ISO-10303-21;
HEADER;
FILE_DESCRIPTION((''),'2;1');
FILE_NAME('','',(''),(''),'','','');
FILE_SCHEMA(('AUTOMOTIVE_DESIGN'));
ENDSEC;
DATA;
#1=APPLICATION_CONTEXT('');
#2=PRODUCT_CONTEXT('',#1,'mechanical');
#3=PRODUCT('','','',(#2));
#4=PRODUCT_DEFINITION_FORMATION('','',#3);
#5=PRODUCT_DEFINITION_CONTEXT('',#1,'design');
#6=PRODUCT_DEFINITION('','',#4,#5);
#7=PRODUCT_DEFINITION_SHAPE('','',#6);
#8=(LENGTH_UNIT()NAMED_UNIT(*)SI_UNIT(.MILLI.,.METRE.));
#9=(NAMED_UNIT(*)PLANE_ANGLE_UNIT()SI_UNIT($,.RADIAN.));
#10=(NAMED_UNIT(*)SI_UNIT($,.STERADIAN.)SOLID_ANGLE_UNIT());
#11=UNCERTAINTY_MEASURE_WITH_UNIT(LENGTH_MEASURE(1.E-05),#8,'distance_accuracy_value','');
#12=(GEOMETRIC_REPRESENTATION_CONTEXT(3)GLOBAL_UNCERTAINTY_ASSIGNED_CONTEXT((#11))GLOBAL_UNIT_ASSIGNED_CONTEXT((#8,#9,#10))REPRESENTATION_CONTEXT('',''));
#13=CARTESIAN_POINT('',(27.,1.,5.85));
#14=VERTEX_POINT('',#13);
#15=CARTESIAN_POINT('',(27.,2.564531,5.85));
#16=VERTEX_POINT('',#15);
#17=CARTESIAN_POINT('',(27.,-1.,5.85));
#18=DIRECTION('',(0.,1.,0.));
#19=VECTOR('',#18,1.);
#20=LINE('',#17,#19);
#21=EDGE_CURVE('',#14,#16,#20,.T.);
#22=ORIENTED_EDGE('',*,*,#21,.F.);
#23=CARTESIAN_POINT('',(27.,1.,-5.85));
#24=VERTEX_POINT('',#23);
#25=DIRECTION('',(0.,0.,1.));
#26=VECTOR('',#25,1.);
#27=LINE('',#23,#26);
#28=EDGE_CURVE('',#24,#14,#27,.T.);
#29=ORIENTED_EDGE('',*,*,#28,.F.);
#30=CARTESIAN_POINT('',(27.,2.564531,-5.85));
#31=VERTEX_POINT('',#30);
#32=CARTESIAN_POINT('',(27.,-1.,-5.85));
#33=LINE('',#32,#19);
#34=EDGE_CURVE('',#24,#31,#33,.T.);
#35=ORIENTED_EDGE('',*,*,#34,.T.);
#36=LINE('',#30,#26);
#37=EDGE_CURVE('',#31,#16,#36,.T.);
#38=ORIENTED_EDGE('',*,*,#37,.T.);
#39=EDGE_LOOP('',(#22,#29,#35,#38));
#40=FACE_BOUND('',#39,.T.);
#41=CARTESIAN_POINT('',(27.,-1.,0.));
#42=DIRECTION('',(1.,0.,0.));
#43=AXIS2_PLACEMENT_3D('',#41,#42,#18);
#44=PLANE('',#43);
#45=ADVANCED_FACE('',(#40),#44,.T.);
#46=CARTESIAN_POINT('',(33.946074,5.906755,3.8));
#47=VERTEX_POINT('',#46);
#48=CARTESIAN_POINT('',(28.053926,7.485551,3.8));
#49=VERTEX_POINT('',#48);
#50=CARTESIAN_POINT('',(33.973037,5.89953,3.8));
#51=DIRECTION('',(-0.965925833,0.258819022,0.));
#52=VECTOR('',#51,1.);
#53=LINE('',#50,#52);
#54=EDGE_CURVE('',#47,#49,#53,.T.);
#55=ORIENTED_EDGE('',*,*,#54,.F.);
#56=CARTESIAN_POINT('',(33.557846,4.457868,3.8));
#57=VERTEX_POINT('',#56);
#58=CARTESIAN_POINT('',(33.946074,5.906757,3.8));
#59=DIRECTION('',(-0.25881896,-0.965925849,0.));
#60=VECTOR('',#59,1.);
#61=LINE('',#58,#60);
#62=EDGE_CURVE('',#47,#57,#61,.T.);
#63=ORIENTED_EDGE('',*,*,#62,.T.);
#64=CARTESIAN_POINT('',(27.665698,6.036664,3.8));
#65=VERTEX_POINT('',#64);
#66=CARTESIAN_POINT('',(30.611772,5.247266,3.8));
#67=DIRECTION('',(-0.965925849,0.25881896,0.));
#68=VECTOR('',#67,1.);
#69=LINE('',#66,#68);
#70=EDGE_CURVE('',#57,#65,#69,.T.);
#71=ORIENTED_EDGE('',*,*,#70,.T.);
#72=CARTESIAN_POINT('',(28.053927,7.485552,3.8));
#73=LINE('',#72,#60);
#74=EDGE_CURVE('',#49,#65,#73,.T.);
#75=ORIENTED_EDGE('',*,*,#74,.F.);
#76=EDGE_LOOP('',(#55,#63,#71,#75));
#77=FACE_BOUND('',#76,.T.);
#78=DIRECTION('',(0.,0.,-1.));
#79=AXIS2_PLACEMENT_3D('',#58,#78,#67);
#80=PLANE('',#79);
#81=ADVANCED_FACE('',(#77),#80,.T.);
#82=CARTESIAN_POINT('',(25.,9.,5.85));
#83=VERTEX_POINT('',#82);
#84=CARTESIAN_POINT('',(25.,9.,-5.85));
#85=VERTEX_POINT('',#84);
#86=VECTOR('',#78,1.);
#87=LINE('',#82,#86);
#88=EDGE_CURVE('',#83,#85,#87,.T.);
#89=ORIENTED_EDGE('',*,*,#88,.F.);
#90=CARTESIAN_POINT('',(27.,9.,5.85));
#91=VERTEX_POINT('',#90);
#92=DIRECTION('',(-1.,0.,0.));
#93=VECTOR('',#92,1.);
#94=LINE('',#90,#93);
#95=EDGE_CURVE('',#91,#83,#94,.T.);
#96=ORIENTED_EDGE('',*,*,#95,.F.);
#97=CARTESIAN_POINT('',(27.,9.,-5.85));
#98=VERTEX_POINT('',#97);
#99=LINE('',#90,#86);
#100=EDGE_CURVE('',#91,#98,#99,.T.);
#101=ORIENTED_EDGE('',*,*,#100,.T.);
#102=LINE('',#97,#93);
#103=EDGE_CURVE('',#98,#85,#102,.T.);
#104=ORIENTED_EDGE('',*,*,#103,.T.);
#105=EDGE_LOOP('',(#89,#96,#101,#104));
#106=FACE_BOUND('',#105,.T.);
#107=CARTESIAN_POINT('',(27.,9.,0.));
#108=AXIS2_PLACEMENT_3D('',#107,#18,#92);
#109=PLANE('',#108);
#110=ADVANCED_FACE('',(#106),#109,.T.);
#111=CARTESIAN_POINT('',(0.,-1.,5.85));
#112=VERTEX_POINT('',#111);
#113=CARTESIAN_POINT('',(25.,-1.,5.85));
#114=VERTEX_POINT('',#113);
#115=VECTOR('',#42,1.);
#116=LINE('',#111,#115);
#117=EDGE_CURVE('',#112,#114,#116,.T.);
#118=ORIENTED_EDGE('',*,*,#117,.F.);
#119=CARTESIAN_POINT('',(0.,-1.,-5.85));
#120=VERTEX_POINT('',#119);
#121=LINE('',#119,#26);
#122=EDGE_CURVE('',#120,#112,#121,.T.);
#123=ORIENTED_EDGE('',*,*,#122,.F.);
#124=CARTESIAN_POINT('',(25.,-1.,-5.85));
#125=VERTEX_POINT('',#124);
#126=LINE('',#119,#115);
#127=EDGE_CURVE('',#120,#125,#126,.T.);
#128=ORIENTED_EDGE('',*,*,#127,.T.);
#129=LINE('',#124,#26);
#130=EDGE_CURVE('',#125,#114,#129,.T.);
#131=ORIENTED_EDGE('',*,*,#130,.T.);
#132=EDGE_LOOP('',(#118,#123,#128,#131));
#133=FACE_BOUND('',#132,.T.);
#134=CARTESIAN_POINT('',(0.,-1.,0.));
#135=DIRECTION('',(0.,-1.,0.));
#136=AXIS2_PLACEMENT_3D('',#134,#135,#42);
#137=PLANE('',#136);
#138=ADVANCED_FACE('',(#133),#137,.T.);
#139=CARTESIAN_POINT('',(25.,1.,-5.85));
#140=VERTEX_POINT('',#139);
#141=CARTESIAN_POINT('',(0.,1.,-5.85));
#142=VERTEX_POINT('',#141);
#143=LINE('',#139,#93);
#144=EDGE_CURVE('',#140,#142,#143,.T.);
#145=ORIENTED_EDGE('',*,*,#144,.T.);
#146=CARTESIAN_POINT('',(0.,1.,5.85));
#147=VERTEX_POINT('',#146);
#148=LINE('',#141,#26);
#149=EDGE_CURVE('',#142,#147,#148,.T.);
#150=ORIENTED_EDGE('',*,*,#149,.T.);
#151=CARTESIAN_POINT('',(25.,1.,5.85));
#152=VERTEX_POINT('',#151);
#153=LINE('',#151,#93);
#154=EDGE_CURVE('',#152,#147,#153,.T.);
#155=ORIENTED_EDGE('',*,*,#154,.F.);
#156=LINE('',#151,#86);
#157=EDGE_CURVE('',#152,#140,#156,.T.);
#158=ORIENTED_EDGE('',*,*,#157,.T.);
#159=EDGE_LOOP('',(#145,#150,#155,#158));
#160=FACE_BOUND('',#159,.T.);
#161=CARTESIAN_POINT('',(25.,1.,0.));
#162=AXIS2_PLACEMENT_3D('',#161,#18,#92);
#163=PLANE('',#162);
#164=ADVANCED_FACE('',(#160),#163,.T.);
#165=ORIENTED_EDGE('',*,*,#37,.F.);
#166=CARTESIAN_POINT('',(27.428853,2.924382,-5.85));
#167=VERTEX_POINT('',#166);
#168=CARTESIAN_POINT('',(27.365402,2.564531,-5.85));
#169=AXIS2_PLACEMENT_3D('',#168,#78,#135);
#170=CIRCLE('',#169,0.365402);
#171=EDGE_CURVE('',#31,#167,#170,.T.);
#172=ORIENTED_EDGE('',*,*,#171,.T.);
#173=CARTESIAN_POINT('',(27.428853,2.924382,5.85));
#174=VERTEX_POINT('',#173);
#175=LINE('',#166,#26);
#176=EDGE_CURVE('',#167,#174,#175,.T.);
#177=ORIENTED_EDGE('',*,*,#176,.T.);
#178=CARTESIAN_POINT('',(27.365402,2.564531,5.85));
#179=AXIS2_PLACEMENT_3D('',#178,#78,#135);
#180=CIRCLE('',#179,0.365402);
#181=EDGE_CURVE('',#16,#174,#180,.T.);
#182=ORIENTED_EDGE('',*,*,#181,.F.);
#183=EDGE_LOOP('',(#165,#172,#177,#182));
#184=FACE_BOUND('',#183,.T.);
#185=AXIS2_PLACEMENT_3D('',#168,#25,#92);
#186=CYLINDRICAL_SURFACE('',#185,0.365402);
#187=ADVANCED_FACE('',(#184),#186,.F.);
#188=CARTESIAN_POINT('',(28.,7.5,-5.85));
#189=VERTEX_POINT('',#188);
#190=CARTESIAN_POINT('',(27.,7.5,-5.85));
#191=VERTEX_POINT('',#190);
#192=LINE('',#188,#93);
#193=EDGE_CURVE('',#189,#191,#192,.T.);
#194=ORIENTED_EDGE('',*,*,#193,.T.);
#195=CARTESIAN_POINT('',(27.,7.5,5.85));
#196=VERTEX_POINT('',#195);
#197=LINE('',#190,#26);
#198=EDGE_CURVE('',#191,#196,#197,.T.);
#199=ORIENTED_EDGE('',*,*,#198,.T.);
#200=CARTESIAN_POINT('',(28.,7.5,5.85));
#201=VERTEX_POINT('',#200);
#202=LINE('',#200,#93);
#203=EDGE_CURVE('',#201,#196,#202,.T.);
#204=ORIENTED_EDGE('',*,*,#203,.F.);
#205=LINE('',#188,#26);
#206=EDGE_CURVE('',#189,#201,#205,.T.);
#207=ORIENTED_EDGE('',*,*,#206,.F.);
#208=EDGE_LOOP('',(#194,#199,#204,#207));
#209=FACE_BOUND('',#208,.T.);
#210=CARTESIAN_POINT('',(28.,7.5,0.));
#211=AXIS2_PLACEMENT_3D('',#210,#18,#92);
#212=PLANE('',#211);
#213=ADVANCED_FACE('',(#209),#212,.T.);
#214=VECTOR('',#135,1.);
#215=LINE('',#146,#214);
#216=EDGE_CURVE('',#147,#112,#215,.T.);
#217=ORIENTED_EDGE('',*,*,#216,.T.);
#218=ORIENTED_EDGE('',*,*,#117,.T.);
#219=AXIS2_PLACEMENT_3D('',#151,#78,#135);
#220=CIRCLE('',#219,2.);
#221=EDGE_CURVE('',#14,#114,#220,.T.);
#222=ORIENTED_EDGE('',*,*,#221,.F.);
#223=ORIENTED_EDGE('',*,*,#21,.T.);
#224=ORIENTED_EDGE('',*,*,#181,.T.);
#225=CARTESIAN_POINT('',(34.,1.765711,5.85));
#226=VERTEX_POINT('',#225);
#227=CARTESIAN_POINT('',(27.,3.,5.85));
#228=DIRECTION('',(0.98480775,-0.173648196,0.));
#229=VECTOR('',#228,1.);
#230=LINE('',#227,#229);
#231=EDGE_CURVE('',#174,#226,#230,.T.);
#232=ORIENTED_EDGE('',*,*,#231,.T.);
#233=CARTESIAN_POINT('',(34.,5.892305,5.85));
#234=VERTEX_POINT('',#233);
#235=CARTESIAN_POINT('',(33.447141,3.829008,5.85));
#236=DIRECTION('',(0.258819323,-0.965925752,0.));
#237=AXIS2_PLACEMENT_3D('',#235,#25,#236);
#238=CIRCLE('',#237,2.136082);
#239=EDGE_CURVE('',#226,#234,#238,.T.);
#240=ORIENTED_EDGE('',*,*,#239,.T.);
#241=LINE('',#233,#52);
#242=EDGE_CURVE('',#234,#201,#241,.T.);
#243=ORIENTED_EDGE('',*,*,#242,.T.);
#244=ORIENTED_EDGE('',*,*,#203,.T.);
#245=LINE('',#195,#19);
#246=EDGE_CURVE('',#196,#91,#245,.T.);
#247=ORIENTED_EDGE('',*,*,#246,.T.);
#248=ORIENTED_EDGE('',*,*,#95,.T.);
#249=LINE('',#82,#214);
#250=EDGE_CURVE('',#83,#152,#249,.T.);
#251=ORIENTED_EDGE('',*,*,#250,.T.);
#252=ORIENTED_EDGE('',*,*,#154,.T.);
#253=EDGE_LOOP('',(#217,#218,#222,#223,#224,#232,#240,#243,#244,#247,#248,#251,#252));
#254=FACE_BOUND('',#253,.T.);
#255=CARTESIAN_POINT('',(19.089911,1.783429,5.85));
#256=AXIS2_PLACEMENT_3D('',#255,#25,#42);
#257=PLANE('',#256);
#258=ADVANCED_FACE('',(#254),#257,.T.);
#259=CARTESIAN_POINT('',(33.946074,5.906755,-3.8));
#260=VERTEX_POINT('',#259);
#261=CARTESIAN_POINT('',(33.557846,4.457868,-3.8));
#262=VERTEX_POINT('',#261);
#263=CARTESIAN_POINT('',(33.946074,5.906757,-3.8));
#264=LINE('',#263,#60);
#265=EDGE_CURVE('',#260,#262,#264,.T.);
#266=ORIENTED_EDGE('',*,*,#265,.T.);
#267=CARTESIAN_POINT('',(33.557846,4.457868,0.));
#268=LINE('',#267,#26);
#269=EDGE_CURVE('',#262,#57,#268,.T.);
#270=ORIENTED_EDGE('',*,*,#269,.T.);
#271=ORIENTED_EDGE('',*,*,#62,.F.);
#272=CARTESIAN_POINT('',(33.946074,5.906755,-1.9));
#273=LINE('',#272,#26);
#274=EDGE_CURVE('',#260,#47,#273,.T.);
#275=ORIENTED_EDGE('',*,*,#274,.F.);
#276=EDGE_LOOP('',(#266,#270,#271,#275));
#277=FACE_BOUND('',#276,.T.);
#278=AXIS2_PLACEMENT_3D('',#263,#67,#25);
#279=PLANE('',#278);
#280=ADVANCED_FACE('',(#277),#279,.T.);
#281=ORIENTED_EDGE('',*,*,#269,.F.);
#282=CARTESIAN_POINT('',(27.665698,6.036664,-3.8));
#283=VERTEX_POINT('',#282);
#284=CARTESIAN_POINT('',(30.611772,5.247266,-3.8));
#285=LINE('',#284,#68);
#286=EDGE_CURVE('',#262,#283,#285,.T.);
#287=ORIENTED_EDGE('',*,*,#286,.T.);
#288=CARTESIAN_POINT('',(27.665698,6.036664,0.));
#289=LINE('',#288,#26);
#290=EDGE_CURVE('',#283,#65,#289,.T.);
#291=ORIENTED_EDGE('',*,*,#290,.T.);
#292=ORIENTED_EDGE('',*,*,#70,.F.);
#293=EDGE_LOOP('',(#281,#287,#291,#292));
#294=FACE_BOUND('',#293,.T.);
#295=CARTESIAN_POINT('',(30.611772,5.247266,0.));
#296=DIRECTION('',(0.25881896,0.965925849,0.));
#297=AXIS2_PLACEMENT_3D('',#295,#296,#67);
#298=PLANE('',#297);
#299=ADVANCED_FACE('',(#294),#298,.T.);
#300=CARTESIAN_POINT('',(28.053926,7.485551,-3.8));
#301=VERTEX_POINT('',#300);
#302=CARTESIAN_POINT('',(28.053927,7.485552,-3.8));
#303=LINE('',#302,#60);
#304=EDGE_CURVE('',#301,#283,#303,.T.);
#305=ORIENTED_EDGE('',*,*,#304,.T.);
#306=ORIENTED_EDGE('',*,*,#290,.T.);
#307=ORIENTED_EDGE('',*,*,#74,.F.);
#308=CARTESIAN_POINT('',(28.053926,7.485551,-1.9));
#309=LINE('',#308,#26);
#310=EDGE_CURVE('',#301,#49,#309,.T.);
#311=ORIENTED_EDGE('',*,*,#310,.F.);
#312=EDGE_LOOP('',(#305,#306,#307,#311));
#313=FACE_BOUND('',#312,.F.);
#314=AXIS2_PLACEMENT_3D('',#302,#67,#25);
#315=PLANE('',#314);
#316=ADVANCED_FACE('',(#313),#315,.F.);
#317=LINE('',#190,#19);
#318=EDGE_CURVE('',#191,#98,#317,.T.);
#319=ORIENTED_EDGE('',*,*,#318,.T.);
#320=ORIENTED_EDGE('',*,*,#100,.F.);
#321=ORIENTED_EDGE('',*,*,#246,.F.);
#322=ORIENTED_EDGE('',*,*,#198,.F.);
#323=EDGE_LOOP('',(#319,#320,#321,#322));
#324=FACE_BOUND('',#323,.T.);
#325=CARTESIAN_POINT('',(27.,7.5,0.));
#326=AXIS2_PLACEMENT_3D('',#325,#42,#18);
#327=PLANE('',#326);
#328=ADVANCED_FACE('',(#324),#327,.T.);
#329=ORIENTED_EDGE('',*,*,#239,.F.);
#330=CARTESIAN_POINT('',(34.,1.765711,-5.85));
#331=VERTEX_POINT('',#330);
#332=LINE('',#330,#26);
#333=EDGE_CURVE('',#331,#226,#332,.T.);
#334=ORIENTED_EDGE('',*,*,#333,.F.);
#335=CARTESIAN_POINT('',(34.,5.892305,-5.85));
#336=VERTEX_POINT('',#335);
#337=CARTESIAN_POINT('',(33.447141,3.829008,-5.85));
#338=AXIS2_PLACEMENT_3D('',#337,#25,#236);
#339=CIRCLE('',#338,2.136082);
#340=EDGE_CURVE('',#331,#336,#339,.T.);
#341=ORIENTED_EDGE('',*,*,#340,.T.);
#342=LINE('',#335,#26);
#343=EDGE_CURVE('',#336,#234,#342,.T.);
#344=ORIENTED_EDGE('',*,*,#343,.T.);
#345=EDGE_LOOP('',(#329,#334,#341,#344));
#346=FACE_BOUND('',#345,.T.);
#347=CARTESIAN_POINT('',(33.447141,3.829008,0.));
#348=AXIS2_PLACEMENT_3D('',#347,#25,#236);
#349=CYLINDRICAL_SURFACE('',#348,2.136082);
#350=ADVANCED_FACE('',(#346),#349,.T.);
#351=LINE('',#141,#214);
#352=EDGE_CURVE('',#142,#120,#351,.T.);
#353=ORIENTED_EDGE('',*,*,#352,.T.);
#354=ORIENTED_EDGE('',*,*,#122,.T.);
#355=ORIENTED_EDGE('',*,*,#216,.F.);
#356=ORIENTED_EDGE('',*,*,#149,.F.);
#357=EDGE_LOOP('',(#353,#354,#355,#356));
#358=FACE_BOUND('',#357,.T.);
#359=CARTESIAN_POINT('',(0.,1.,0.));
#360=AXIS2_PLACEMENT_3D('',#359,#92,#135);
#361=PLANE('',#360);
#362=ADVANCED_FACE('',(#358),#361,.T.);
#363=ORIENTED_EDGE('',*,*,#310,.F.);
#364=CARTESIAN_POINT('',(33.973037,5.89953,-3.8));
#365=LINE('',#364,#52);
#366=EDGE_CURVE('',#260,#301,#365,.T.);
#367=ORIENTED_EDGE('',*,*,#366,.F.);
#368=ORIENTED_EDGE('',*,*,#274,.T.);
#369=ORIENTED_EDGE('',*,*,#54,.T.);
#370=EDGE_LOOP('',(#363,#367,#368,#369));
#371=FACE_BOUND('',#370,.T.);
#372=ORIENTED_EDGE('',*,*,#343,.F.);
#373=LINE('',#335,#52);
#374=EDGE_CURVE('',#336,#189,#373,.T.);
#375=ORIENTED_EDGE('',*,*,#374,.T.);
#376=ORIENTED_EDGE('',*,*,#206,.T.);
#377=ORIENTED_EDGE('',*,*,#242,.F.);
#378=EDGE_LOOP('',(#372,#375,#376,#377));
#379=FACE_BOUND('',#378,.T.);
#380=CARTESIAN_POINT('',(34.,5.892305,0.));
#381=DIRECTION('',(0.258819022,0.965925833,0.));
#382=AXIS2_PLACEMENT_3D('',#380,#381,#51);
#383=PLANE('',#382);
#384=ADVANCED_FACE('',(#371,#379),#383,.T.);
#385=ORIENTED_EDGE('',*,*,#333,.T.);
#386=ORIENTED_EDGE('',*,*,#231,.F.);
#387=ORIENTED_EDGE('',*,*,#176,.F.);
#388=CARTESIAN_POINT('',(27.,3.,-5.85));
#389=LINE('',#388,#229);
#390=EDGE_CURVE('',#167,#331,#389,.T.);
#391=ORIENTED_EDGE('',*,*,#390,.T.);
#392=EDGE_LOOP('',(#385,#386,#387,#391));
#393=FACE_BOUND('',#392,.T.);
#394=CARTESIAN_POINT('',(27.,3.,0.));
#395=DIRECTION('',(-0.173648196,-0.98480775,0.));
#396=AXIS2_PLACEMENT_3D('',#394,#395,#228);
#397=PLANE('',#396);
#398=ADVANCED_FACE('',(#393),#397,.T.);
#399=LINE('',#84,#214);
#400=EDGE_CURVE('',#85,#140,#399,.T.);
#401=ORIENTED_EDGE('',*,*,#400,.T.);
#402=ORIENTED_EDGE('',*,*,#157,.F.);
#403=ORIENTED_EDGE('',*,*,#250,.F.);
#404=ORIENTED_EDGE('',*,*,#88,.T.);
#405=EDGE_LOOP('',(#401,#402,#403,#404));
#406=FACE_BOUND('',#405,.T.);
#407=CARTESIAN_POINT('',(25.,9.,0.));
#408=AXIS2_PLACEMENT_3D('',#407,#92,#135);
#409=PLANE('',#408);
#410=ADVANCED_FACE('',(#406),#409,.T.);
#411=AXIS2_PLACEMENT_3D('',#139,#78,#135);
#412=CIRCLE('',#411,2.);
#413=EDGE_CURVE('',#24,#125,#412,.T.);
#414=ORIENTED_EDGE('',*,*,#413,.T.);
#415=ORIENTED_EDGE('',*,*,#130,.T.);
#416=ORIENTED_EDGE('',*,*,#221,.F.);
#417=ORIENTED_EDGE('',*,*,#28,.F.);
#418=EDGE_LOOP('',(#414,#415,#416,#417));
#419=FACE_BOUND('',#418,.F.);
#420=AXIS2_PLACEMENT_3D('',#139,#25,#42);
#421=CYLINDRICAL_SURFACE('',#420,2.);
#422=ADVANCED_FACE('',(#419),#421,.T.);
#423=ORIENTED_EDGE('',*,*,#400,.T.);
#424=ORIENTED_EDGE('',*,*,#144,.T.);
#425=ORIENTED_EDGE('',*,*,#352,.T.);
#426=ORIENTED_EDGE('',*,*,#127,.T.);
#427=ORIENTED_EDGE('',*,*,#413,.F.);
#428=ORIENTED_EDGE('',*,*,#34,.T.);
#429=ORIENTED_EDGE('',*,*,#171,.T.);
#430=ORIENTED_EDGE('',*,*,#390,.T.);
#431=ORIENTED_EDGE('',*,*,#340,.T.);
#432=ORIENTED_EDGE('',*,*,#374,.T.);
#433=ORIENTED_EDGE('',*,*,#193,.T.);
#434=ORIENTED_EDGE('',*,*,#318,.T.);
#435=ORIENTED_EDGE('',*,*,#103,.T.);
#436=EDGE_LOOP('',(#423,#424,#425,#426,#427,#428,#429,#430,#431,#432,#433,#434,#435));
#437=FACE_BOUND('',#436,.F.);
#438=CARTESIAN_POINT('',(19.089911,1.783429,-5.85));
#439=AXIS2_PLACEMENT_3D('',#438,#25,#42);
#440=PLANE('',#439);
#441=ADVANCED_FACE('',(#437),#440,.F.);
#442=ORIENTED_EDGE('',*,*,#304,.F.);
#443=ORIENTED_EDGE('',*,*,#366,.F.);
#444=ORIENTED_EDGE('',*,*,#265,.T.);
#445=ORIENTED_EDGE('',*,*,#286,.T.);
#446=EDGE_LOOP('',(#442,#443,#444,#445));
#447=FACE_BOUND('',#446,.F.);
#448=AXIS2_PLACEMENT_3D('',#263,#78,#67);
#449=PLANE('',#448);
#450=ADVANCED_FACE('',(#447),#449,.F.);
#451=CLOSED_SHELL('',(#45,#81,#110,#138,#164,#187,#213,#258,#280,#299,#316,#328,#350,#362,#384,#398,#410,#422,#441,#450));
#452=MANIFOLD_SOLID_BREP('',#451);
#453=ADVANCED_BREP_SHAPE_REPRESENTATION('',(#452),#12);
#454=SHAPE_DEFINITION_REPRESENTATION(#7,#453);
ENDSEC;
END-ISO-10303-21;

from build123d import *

# Parameters (mm, degrees)
F1_DEPTH = 5.85
F2_R     = 2
F3_R     = 0.365402
F4_W     = 6.1
F4_H     = 7.6
F5_DEPTH = 1.5


with BuildPart() as f1:
    # F0 (on Top) → F1 (new body, symmetric)
    with BuildSketch(Plane.XY):
        with BuildLine():
            Line((25, 1), (0, 1))
            Line((0, 1), (0, -1))
            Line((0, -1), (27, -1))
            Line((27, -1), (27, 3))
            Line((27, 3), (34, 1.765711))
            ThreePointArc((34, 1.765711), (35.583223, 3.829008), (34, 5.892305))
            Line((34, 5.892305), (28, 7.5))
            Line((28, 7.5), (27, 7.5))
            Line((27, 7.5), (27, 9))
            Line((27, 9), (25, 9))
            Line((25, 9), (25, 1))
        make_face()
    extrude(amount=F1_DEPTH, both=True)

    # F2
    f2_edges = [f1.edges().sort_by_distance(p)[0] for p in [
        (27, -1, 0),
    ]]
    fillet(f2_edges, radius=F2_R)

    # F3
    f3_edges = [f1.edges().sort_by_distance(p)[0] for p in [
        (27, 3, 0),
    ]]
    fillet(f3_edges, radius=F3_R)

    # F4 (on face) → F5 (cut)
    with BuildSketch(Plane(origin=(3.750644, 13.997595, 0), x_dir=(-0.965926, 0.258819, 0), z_dir=(0.258819, 0.965926, 0))):
        with Locations((-28.210609, 0)):
            Rectangle(F4_W, F4_H)
    extrude(amount=-F5_DEPTH, mode=Mode.SUBTRACT)


solid = f1.part
